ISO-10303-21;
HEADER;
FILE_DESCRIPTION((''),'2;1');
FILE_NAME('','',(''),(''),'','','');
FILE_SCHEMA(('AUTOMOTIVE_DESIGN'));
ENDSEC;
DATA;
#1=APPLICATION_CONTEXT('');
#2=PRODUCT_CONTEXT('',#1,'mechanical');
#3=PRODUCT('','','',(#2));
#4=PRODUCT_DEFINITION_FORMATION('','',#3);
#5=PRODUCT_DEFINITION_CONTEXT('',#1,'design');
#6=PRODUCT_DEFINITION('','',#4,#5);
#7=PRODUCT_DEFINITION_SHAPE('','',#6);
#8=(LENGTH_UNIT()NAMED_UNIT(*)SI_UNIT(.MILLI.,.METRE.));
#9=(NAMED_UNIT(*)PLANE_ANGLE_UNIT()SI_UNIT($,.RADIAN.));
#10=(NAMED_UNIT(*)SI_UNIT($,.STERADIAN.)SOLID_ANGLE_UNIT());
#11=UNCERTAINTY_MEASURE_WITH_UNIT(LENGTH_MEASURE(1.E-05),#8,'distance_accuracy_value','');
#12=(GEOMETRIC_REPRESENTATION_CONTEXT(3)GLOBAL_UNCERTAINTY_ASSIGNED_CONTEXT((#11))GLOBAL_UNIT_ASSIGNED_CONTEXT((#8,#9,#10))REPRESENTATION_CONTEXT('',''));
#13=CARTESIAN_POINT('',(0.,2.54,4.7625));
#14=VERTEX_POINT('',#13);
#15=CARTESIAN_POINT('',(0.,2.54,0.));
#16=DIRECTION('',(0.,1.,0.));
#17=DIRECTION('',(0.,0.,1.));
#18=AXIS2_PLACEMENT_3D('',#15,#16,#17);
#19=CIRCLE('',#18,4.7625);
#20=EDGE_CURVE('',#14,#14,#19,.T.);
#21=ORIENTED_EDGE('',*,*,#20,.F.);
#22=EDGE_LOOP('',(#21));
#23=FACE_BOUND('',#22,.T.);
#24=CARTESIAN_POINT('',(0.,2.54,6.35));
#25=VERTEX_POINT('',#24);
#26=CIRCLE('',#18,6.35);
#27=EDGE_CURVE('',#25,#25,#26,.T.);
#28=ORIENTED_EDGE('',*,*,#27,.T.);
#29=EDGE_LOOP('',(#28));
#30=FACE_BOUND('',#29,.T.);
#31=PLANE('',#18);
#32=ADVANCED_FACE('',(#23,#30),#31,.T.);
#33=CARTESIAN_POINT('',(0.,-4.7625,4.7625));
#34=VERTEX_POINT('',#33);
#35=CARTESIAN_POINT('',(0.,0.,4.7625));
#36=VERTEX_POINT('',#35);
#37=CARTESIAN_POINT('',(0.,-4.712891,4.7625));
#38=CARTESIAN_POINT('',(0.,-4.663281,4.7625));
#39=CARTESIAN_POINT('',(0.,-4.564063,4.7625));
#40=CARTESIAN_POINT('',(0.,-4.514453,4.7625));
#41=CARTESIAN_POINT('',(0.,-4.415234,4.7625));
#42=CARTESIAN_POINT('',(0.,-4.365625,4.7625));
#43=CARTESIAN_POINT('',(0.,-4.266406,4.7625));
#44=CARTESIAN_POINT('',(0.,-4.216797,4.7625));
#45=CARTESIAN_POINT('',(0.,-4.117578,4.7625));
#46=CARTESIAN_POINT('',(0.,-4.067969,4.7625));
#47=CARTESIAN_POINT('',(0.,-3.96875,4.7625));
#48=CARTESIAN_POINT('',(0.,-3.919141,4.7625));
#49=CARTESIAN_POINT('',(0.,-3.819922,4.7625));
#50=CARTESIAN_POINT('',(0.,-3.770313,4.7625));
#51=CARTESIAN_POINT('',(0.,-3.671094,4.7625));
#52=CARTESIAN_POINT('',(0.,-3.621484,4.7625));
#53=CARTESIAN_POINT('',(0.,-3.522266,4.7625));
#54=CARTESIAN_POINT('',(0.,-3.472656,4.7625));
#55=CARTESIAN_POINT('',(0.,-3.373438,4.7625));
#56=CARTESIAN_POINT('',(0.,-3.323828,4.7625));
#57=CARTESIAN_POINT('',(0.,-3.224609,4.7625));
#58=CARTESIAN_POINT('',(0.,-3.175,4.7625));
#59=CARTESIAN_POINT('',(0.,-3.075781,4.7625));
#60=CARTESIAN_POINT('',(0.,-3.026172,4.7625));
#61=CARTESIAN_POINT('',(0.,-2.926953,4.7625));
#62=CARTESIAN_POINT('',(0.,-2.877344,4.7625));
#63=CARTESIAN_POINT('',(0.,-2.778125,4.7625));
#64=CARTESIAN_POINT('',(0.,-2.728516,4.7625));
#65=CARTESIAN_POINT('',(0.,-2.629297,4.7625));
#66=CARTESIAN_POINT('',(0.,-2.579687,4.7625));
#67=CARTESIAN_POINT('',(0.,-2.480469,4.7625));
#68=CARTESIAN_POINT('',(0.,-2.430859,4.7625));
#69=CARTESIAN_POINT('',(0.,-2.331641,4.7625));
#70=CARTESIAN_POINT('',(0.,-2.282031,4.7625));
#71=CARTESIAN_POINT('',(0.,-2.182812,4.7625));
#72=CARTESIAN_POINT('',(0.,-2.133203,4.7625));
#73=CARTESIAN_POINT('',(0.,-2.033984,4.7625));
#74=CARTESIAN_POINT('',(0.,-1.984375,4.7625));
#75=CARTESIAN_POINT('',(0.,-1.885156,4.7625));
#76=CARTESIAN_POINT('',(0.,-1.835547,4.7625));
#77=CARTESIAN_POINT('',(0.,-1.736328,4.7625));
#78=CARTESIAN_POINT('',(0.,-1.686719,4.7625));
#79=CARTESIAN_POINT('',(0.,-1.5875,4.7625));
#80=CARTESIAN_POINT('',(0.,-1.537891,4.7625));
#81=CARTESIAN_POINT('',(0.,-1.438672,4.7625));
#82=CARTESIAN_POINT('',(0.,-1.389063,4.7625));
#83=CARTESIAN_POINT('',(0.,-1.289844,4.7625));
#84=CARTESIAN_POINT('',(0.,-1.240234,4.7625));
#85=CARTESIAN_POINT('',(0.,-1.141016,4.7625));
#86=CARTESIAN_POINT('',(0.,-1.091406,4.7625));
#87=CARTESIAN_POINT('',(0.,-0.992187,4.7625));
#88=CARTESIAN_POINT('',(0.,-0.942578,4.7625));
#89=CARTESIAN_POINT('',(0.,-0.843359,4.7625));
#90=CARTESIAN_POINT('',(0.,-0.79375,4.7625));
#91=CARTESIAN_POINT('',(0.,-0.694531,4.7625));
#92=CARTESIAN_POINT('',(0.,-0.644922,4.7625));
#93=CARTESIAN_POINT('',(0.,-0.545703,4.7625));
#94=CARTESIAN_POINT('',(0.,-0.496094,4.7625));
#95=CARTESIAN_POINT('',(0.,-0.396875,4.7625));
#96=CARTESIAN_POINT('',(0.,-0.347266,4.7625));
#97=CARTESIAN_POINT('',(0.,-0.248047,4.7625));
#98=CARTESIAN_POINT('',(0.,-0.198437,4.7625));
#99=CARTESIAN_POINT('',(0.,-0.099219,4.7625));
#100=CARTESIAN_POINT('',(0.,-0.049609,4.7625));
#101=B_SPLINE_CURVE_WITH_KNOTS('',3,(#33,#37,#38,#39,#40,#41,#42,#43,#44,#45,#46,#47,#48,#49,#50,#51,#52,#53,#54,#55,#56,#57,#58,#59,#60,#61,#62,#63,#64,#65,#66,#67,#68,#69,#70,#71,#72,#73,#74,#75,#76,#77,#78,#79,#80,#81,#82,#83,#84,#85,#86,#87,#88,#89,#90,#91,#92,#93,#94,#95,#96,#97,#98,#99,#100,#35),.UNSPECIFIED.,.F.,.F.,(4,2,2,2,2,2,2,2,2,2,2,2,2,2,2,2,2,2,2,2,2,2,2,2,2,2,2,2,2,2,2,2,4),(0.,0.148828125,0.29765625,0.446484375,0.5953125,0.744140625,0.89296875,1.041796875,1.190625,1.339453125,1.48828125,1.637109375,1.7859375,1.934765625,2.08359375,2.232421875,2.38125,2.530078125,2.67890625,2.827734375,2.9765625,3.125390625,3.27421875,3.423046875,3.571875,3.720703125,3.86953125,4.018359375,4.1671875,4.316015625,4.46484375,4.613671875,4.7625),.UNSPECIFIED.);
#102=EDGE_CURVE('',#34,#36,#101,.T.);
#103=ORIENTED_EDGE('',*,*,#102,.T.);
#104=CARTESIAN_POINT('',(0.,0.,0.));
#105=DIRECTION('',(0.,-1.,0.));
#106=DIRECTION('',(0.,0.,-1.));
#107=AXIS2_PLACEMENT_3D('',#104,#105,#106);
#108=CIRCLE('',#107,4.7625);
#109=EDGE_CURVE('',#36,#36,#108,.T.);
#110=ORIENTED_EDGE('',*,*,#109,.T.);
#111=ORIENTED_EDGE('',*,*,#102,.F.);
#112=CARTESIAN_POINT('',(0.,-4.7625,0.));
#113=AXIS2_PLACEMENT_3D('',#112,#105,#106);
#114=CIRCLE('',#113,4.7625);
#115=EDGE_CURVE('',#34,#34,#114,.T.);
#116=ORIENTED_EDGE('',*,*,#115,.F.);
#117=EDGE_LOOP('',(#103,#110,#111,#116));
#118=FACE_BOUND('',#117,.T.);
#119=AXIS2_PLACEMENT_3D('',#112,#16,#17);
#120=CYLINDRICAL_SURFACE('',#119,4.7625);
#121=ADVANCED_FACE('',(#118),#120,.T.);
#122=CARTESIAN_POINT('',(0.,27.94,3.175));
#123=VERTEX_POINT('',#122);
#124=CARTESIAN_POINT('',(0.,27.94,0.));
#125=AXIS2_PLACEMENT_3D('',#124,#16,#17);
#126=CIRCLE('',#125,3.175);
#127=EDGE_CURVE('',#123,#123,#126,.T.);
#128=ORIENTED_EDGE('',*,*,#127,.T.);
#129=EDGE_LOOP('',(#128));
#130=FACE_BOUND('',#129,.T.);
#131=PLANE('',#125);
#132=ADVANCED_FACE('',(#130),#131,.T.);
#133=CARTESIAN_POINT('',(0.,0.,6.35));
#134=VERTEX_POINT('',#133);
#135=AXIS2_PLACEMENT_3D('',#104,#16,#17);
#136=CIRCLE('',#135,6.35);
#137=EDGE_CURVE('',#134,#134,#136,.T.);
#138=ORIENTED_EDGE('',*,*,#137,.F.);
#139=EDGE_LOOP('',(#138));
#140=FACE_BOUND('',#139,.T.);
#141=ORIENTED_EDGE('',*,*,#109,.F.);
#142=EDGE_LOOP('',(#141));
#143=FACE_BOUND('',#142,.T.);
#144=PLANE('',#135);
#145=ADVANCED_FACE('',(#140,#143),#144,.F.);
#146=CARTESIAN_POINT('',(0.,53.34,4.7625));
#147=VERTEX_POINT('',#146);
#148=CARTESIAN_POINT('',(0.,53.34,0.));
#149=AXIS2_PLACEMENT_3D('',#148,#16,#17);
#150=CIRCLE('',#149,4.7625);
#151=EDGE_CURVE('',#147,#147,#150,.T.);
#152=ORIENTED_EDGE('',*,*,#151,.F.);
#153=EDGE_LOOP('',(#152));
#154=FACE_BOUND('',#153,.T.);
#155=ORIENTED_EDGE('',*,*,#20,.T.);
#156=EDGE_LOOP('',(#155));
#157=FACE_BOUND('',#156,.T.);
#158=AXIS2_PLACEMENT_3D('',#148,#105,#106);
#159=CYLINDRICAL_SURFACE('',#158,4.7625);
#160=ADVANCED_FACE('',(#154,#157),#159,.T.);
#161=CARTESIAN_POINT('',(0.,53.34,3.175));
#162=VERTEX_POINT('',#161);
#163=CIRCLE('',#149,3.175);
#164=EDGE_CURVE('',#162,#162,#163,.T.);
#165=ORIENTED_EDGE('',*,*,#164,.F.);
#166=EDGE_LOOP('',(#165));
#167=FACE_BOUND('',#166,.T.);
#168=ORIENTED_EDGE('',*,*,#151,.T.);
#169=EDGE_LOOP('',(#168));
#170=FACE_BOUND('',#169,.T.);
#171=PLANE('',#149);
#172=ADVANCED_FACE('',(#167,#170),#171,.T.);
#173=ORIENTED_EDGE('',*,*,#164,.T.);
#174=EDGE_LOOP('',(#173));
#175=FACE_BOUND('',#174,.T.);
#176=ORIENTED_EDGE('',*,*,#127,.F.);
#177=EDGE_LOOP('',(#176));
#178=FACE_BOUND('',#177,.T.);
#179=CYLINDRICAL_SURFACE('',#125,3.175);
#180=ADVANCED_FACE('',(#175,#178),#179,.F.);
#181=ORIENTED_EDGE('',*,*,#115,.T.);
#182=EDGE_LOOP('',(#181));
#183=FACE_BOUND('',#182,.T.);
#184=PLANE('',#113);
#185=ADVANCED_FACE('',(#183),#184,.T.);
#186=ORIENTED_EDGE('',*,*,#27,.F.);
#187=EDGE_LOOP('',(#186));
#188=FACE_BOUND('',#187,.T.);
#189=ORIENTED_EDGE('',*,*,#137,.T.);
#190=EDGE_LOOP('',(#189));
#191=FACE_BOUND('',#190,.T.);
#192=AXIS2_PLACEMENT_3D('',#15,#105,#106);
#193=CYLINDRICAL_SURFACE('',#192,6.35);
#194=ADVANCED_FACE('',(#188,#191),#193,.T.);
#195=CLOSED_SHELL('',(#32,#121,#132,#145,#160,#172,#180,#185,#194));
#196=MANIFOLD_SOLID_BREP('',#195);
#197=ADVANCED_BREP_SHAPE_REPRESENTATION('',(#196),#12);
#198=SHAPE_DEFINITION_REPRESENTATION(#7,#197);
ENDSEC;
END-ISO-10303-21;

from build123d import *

# Parameters (mm, degrees)
SKETCH1_R           = 6.35
BOSS_EXTRUDE1_DEPTH = 2.54
SKETCH2_R           = 4.7625
BOSS_EXTRUDE2_DEPTH = 4.7625
BOSS_EXTRUDE3_START = 50.8
SKETCH3_R           = 4.7625
BOSS_EXTRUDE3_DEPTH = 50.8
SKETCH4_R           = 3.175
CUT_EXTRUDE1_DEPTH  = 25.4


with BuildPart() as part:
    # Sketch1 → Boss-Extrude1 (new body)
    with BuildSketch(Plane(origin=(0, 0, 0), x_dir=(1, 0, 0), z_dir=(0, 1, 0))):
        with Locations(Location((0, 0, 0), (0, 0, 270))):
            Circle(SKETCH1_R)
    extrude(amount=BOSS_EXTRUDE1_DEPTH)

    # Sketch2 → Boss-Extrude2 (add)
    with BuildSketch(Plane.XZ):
        with Locations(Location((0, 0, 0), (0, 0, 90))):
            Circle(SKETCH2_R)
    extrude(amount=BOSS_EXTRUDE2_DEPTH)

    # Sketch3 → Boss-Extrude3 (add)
    with BuildSketch(Plane(origin=(0, 2.54, 0), x_dir=(1, 0, 0), z_dir=(0, 1, 0)).offset(BOSS_EXTRUDE3_START)):
        with Locations(Location((0, 0, 0), (0, 0, 270))):
            Circle(SKETCH3_R)
    extrude(amount=-BOSS_EXTRUDE3_DEPTH)

    # Sketch4 → Cut-Extrude1 (cut)
    with BuildSketch(Plane(origin=(0, 53.34, 0), x_dir=(1, 0, 0), z_dir=(0, 1, 0))):
        with Locations(Location((0, 0, 0), (0, 0, 270))):
            Circle(SKETCH4_R)
    extrude(amount=-CUT_EXTRUDE1_DEPTH, mode=Mode.SUBTRACT)


solid = part.part
